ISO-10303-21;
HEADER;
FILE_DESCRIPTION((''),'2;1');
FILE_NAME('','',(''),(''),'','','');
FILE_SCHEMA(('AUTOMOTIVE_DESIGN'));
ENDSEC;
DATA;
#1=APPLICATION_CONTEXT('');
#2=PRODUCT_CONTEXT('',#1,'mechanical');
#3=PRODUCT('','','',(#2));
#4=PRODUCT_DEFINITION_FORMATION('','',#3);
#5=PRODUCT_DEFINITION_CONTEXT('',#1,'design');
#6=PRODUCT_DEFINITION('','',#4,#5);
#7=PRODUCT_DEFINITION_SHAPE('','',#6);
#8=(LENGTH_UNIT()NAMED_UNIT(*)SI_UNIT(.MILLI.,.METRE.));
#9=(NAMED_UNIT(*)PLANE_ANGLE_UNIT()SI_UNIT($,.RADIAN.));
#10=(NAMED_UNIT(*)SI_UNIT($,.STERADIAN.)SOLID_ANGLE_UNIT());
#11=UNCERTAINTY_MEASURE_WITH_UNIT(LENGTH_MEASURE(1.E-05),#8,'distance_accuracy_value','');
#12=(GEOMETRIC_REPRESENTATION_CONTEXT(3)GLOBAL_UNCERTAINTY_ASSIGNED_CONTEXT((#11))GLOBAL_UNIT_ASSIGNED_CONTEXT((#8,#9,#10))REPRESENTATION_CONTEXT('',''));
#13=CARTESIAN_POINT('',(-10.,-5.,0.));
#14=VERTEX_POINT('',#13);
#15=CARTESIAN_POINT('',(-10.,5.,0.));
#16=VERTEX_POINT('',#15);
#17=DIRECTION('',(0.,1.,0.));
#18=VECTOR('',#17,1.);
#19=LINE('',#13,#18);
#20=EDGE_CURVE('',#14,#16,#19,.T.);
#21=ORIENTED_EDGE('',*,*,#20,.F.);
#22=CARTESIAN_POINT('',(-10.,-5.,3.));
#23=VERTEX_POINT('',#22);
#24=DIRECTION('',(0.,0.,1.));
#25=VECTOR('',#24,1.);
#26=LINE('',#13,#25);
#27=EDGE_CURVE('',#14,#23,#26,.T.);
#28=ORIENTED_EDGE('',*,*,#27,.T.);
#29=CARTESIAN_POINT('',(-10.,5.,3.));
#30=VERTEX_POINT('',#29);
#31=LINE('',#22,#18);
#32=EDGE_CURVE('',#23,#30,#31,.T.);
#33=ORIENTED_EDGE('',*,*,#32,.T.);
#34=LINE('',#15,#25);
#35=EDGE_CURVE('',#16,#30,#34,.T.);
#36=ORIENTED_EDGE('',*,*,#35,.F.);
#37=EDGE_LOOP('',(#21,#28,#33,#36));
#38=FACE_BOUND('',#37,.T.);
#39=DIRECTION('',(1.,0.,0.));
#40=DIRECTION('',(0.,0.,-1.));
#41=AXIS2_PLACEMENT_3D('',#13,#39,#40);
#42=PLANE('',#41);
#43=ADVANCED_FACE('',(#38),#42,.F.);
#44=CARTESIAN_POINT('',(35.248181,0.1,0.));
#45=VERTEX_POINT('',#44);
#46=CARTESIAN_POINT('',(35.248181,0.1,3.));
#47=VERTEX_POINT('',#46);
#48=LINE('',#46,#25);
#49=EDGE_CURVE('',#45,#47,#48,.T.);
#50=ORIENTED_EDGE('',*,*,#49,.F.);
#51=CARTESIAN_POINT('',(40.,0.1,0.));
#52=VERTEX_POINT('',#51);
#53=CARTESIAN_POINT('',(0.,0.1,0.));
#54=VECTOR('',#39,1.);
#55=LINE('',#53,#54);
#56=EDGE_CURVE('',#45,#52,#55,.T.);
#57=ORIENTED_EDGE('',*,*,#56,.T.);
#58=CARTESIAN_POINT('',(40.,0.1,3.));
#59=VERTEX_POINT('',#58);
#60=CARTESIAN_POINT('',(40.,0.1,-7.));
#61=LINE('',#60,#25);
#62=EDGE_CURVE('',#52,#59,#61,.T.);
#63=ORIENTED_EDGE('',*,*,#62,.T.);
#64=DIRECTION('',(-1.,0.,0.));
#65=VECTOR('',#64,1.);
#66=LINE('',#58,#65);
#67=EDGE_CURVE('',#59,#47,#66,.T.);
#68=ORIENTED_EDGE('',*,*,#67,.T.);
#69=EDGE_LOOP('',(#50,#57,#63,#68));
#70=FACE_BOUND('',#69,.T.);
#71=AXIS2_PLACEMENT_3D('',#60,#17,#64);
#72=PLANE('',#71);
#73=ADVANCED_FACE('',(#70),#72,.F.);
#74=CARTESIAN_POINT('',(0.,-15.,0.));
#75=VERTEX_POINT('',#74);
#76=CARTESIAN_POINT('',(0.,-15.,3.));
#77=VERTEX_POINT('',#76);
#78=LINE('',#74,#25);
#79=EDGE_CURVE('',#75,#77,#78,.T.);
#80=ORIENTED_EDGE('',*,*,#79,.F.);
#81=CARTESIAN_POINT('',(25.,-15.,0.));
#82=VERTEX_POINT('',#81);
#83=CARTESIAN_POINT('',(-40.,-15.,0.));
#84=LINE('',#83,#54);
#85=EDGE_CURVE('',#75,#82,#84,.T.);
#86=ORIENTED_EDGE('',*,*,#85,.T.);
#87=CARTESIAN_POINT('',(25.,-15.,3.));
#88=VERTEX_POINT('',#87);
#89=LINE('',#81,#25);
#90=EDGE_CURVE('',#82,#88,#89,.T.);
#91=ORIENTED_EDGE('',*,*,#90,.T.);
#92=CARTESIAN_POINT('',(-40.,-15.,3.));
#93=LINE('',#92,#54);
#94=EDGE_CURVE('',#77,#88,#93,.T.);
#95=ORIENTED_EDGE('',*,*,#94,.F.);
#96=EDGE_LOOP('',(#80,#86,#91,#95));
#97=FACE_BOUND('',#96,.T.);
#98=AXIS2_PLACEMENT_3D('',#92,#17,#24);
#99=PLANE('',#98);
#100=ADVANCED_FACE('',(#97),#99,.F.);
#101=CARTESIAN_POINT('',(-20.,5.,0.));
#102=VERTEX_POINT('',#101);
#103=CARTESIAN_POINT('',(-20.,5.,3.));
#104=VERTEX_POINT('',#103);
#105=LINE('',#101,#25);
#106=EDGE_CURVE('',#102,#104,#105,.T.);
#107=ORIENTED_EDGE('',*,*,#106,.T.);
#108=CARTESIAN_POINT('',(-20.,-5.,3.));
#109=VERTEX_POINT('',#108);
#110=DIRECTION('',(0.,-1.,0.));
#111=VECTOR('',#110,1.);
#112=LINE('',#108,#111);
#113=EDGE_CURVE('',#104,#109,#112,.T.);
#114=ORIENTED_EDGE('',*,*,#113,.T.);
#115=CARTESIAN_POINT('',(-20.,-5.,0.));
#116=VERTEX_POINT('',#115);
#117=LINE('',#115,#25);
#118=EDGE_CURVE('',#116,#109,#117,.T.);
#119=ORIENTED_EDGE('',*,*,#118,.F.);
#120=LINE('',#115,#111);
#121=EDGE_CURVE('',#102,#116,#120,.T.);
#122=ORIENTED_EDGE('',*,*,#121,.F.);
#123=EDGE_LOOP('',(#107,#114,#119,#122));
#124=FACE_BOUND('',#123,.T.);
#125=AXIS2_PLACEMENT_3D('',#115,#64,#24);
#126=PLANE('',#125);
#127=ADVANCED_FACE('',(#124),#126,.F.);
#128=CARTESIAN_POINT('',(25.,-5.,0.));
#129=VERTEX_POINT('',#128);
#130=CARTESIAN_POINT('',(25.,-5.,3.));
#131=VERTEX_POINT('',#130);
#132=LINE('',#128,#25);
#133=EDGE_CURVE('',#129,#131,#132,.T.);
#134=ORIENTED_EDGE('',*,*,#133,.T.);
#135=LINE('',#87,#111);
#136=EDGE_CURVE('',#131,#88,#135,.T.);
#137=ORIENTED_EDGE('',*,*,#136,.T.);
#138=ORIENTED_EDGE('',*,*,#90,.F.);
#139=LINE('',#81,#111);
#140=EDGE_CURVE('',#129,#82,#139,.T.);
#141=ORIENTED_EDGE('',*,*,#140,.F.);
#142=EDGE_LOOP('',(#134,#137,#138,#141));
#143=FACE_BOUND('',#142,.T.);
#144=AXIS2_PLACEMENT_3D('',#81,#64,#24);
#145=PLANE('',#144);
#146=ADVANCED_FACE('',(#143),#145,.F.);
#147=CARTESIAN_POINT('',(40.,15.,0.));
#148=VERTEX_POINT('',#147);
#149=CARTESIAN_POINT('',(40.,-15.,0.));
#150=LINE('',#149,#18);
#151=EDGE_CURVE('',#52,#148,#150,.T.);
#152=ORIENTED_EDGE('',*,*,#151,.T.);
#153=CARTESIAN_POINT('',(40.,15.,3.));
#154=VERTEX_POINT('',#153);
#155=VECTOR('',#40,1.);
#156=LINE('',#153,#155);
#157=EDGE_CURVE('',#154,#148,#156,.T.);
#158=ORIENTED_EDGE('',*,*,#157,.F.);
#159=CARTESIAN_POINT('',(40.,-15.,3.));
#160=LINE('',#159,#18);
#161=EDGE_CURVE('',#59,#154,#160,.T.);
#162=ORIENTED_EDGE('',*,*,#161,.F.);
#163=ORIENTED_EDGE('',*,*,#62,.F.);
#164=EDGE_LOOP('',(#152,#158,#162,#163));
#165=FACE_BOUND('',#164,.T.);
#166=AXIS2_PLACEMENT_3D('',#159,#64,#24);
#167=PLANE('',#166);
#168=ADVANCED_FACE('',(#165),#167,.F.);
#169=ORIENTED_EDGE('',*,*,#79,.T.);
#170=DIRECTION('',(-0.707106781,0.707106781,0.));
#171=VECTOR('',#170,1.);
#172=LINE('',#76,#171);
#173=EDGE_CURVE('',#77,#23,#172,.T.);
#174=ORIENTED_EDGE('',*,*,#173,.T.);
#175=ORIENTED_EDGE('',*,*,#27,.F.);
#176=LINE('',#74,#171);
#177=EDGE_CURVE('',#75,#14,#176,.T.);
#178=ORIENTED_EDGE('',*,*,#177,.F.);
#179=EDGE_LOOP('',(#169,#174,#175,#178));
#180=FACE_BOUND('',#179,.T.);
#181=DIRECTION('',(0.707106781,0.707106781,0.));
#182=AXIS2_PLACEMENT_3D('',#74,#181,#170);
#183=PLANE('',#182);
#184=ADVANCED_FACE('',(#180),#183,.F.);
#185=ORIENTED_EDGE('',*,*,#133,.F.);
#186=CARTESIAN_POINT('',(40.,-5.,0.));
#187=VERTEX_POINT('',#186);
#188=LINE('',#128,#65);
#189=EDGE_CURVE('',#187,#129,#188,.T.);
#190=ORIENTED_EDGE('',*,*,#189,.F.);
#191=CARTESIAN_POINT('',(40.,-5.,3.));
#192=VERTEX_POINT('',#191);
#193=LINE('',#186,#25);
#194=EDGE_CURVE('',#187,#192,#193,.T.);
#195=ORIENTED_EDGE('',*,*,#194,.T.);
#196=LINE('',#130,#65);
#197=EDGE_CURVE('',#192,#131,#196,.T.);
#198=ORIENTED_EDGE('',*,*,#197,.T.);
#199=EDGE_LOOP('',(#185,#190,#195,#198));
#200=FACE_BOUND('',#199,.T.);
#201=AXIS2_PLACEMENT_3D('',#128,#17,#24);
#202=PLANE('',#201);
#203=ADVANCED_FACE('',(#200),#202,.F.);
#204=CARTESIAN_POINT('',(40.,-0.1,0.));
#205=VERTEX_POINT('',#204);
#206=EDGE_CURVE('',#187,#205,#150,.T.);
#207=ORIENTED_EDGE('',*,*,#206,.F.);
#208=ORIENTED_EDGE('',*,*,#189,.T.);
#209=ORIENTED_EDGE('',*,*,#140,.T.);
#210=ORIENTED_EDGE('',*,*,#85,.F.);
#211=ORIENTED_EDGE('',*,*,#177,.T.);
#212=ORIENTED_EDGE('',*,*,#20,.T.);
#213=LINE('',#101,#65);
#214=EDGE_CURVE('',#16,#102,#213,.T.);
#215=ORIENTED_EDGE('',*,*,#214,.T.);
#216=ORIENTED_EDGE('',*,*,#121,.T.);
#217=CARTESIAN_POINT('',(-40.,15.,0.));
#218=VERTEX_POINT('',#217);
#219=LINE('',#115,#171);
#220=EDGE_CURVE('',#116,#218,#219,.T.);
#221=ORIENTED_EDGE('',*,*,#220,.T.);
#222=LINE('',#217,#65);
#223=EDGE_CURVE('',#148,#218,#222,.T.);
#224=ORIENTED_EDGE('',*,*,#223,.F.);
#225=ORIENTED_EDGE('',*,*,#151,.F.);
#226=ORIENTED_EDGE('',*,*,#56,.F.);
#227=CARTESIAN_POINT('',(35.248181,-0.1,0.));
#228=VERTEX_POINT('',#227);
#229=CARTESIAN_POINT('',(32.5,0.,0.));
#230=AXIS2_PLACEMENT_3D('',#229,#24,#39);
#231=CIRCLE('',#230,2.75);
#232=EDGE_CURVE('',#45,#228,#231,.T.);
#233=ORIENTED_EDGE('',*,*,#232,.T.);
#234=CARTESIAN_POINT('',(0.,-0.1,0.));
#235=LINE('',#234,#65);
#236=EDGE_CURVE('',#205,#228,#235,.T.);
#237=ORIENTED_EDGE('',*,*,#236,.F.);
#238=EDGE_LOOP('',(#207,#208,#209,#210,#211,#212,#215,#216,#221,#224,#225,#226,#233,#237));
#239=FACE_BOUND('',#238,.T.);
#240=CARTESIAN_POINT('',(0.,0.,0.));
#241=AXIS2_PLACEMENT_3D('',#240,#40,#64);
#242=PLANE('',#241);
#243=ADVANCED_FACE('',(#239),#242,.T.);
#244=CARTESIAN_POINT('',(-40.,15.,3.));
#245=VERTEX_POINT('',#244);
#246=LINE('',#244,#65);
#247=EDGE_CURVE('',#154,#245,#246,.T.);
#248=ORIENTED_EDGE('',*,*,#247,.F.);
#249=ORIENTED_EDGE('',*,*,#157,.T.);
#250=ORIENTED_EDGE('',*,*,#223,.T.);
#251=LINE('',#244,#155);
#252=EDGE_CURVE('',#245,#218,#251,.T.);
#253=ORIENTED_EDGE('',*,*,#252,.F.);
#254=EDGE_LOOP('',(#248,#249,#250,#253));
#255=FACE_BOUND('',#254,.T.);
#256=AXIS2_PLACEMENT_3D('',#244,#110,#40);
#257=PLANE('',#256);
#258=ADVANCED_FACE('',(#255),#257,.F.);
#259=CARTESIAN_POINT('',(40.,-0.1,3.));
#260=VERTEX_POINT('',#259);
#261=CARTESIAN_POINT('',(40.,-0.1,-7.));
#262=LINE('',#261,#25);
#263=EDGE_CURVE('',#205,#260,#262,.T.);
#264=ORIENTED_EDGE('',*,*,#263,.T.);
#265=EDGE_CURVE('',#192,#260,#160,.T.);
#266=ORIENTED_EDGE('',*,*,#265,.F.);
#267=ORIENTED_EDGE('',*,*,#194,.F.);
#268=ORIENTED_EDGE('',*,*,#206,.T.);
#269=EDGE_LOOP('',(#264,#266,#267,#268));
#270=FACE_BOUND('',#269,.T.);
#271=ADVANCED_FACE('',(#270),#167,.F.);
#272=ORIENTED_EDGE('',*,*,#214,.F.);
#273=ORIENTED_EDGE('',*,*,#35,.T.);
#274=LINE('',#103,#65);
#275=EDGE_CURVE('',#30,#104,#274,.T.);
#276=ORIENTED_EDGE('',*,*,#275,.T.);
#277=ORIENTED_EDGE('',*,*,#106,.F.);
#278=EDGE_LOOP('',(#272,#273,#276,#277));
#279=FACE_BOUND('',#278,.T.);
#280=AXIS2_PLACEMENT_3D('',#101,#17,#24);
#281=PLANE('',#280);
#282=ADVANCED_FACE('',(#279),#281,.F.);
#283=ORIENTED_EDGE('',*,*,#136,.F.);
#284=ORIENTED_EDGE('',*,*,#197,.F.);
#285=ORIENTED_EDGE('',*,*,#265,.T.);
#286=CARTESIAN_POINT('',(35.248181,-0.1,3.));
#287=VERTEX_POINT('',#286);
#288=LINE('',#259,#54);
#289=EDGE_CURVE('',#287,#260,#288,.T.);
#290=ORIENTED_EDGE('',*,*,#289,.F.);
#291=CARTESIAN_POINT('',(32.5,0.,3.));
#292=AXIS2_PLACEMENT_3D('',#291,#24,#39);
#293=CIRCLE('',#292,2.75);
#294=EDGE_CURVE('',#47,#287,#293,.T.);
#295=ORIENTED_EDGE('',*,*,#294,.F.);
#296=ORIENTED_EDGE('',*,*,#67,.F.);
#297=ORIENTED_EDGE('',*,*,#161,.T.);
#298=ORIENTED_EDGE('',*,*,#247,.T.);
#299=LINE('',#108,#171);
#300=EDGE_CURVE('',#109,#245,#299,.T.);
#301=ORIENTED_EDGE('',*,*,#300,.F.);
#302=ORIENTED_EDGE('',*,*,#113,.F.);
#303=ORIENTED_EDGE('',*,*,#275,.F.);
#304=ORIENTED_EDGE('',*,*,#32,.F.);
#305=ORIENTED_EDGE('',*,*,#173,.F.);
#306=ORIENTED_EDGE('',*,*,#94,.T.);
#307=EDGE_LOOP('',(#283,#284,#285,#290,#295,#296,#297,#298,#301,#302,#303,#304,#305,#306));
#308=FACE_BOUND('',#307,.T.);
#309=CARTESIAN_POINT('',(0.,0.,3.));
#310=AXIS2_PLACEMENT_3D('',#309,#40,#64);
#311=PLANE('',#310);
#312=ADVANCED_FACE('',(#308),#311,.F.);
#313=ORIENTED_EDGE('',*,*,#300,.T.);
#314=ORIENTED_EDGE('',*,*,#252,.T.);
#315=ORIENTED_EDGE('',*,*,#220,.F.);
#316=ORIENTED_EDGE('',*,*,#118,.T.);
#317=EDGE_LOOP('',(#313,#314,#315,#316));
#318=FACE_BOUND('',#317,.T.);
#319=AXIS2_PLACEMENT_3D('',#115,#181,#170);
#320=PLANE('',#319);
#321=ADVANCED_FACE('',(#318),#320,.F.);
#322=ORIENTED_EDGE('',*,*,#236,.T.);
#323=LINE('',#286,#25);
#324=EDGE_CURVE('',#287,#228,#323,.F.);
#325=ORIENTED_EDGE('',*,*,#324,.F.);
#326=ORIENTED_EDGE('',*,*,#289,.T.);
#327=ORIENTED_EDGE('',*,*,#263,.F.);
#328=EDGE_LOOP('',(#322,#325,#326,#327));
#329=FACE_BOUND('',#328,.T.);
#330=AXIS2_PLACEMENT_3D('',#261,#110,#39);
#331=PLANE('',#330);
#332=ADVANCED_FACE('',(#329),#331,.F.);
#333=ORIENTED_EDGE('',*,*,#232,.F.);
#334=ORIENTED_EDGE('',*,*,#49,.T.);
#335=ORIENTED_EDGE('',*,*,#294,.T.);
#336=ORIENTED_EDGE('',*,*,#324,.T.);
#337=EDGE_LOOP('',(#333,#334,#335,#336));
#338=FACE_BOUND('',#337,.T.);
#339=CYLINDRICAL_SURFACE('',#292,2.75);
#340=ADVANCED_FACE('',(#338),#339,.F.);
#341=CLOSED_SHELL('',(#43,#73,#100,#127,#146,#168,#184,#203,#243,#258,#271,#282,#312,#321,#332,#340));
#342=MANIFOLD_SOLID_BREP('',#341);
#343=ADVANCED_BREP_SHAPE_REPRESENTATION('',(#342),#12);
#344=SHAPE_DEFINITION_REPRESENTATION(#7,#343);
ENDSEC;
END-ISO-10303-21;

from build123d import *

# Parameters (mm, degrees)
ESBO_O1_W                = 80
ESBO_O1_H                = 30
RESSALTO_EXTRUS_O1_DEPTH = 3
ESBO_O3_W                = 15
ESBO_O3_H                = 10
CORTE_EXTRUS_O1_DEPTH    = 43.825226211
FURO_COM_FOLGA_DE_M51_D  = 5.5
ESBO_O6_W                = 7.5
ESBO_O6_H                = 0.2
CORTE_EXTRUS_O2_DEPTH    = 10


with BuildPart() as part:
    # Esboço1 → Ressalto-extrusão1 (new body)
    with BuildSketch(Plane.XY):
        Rectangle(ESBO_O1_W, ESBO_O1_H)
    extrude(amount=RESSALTO_EXTRUS_O1_DEPTH)

    # Esboço3 → Corte-extrusão1 (cut, through all)
    with BuildSketch(Plane.XY.offset(3)):
        Polygon((-40, 15), (-40, -15), (0, -15), (-10, -5), (-10, 5), (-20, 5), (-20, -5), align=None)
        with Locations((32.5, -10)):
            Rectangle(ESBO_O3_W, ESBO_O3_H)
    extrude(amount=-CORTE_EXTRUS_O1_DEPTH, mode=Mode.SUBTRACT)

    # Furo com folga de M51 (through all)
    with Locations(Plane.XY.offset(3)):
        with Locations((32.5, 0)):
            Hole(FURO_COM_FOLGA_DE_M51_D / 2)

    # Esboço6 → Corte-extrusão2 (cut)
    with BuildSketch(Plane.XY.offset(3)):
        with Locations((36.25, 0)):
            Rectangle(ESBO_O6_W, ESBO_O6_H)
    extrude(amount=-CORTE_EXTRUS_O2_DEPTH, mode=Mode.SUBTRACT)


solid = part.part
